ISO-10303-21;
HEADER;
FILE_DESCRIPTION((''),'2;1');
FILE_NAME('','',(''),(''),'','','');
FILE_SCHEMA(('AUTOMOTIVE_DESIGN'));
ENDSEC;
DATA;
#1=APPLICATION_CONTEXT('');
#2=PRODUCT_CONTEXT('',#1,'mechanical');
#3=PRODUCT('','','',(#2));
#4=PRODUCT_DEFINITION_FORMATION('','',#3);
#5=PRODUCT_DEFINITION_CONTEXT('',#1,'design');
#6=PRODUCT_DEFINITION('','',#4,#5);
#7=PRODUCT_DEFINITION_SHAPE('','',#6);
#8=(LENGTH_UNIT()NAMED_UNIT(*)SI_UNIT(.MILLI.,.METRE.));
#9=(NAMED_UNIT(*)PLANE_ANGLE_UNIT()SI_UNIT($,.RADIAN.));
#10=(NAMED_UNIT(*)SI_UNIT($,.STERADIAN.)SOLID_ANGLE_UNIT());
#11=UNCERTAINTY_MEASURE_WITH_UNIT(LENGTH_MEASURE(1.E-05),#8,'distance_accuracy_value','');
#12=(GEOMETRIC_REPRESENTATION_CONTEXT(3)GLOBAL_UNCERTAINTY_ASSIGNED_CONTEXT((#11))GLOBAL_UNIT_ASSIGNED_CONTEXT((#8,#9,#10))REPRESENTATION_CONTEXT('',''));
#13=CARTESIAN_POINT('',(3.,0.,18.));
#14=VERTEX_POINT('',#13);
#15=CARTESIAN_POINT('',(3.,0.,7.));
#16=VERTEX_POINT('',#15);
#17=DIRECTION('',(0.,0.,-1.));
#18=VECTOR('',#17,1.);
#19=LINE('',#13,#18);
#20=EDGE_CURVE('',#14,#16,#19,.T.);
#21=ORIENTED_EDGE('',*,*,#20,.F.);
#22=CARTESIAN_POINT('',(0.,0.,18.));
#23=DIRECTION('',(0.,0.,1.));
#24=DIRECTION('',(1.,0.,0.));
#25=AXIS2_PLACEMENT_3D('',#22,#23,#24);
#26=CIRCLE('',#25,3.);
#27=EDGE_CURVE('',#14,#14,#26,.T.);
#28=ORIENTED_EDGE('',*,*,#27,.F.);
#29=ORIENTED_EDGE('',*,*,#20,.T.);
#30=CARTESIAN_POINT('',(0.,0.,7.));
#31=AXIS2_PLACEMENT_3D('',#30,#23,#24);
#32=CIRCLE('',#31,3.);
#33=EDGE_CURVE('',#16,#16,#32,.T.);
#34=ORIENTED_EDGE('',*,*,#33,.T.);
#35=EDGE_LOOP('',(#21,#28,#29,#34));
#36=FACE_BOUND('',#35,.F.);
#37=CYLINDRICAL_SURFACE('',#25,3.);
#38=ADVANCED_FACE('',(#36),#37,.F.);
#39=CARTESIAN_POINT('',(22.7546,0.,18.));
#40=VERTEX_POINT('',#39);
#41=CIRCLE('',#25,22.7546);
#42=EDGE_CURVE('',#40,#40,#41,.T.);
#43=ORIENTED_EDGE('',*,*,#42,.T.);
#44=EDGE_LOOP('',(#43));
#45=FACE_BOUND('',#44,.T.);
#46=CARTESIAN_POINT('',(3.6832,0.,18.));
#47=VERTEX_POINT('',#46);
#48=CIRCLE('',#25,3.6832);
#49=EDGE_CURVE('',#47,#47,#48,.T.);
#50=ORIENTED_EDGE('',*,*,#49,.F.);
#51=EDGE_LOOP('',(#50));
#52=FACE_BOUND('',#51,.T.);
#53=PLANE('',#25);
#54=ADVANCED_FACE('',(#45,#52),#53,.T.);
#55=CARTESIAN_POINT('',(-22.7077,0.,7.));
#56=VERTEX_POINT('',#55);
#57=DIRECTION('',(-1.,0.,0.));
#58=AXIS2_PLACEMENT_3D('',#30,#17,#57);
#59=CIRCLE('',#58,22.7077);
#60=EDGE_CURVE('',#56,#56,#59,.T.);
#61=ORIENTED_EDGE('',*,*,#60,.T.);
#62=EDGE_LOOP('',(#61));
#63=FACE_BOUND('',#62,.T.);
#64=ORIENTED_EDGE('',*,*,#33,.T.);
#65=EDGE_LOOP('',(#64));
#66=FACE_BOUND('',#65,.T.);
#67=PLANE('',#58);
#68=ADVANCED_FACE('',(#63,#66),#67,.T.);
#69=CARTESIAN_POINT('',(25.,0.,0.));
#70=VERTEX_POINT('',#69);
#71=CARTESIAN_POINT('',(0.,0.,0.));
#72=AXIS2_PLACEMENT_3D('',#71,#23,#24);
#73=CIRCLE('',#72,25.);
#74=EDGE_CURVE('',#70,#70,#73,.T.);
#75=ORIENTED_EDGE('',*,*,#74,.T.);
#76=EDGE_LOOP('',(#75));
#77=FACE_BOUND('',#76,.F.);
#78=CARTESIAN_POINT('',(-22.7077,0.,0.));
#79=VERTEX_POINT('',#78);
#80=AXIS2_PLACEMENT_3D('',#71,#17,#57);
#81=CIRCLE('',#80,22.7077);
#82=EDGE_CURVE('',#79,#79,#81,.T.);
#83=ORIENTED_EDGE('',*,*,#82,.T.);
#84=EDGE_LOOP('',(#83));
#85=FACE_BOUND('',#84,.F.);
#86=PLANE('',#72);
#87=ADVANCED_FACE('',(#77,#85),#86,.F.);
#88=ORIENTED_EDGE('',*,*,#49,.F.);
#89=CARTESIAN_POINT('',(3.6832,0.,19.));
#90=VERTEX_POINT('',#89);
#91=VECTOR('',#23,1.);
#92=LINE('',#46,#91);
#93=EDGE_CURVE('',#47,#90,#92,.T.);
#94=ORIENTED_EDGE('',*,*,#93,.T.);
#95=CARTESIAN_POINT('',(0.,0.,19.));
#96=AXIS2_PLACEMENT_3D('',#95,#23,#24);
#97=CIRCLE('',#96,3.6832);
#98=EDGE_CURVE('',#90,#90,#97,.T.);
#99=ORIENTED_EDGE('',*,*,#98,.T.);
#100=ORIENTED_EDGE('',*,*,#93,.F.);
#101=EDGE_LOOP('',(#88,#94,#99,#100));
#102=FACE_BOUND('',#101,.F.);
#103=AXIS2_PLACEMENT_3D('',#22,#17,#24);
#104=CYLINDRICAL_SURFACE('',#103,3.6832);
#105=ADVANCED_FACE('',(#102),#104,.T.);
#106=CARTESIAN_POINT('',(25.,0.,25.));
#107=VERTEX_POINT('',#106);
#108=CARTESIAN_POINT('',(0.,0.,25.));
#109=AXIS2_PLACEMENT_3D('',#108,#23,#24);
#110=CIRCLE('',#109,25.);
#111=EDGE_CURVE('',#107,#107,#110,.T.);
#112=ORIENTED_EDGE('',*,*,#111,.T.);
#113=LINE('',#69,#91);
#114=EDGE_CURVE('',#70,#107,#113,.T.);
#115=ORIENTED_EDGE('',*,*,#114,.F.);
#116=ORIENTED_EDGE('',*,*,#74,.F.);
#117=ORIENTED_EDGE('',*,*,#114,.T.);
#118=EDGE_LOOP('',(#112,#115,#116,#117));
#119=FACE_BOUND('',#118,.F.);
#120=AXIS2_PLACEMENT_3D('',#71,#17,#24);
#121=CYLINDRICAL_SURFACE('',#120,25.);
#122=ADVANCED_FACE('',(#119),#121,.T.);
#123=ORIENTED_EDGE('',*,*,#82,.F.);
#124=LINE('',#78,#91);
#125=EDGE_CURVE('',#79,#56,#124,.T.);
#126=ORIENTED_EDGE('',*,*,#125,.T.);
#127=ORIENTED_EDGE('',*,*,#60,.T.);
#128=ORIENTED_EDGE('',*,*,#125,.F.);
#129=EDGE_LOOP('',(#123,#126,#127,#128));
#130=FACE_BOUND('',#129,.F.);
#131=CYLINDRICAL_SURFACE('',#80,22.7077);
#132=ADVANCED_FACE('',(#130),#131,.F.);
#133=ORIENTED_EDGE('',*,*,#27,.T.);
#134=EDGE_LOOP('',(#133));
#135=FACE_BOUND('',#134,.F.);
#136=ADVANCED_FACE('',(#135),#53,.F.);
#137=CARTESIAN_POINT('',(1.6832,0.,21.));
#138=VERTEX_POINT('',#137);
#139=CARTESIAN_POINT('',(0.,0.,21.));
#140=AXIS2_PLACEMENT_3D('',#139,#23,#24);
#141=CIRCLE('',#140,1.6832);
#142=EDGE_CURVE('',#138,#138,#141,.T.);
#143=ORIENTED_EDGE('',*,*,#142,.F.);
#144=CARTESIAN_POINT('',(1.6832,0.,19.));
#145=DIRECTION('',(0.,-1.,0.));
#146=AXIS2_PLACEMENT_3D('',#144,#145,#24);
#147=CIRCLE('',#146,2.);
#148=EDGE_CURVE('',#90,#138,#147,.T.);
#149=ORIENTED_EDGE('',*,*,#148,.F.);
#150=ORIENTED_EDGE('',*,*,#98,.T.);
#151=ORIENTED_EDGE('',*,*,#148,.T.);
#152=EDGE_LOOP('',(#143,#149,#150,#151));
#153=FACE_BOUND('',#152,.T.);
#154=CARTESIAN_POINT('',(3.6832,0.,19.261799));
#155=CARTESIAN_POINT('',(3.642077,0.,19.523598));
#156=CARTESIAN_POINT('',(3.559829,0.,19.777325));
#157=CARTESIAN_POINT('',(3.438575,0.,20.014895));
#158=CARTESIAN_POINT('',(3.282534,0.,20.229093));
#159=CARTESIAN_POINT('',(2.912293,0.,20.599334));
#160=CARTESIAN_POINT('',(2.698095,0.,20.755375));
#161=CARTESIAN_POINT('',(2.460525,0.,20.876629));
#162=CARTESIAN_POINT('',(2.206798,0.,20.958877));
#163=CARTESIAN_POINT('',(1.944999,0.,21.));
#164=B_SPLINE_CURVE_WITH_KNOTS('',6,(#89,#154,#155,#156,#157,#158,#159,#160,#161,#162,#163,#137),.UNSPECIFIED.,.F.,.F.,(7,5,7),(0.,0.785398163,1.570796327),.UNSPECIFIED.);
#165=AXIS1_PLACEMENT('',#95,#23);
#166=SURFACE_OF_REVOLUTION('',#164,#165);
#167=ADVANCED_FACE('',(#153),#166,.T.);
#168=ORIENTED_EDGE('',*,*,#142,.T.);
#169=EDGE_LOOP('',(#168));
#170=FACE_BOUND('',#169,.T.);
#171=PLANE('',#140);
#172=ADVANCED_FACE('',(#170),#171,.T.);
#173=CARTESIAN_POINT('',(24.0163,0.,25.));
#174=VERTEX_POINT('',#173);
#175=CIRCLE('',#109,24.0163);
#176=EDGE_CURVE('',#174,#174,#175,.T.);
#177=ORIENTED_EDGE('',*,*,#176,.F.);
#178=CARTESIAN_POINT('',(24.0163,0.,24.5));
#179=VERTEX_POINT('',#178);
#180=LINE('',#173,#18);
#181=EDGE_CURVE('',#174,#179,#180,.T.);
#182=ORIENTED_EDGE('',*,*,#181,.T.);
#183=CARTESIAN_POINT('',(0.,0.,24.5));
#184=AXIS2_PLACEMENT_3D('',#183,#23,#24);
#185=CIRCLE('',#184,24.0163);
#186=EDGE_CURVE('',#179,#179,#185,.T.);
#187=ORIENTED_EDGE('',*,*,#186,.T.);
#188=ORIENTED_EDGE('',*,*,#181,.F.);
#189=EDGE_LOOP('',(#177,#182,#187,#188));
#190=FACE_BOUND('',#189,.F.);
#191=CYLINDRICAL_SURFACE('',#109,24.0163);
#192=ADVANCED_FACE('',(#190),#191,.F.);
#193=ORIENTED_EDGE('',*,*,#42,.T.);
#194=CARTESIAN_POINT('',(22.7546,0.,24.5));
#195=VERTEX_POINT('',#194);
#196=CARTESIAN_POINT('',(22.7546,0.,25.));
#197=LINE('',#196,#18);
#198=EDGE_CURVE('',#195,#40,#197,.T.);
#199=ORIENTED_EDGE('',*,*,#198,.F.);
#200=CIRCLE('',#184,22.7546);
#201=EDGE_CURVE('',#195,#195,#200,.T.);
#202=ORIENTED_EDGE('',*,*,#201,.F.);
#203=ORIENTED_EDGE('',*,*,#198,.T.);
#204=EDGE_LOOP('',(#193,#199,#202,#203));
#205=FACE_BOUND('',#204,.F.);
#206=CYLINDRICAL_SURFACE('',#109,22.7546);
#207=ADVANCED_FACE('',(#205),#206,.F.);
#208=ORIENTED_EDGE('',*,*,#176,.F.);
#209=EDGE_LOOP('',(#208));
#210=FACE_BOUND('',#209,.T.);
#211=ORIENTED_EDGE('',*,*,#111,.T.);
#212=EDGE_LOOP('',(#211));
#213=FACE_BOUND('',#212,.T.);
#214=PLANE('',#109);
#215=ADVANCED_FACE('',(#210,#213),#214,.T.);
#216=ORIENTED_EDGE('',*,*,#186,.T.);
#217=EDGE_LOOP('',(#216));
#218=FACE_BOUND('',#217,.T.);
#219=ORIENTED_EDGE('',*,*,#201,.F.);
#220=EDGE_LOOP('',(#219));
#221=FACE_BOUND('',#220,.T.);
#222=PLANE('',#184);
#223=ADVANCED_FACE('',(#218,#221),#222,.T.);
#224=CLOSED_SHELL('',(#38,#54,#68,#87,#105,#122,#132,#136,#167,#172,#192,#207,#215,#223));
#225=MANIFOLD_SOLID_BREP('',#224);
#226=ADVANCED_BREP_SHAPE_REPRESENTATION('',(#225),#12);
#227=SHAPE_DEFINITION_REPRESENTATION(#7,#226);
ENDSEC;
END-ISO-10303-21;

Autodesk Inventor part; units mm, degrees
ref_plane "YZ Plane" through (0, 0, 0) normal (1, 0, 0) x (0, 1, 0)
ref_plane "XZ Plane" through (0, 0, 0) normal (0, 1, 0) x (-1, 0, 0)
ref_plane "XY Plane" through (0, 0, 0) normal (0, 0, 1) x (1, 0, 0)
sketch "Sketch1" plane through (0, 0, 0) normal (0, 0, 1) x (1, 0, 0)
  circle A0 centre (0, 0) radius 25
  dimension "d0" = 50
extrude "Extrusion1" add sketch "Sketch1" along normal blind 25
sketch "Sketch2" plane through (0, 0, 25) normal (0, 0, 1) x (1, 0, 0)
  circle A0 centre (0, 0) radius 22.7546
sketch "Sketch3" plane through (0, 0, 0) normal (0, 0, -1) x (-1, 0, 0)
  circle A0 centre (0, 0) radius 22.7077
extrude "Extrusion2" cut sketch "Sketch2" against normal blind 7
extrude "Extrusion3" cut sketch "Sketch3" against normal blind 7
sketch "Sketch4" plane through (0, 0, 25) normal (0, 0, 1) x (1, 0, 0)
  circle A0 centre (0, 0) radius 24.0163
extrude "Extrusion4" cut sketch "Sketch4" against normal blind 0.5
sketch "Sketch5" plane through (0, 0, 18) normal (0, 0, 1) x (1, 0, 0)
  circle A0 centre (0, 0) radius 3
  dimension "d9" = 6
extrude "Extrusion5" cut sketch "Sketch5" against normal blind 25
sketch "Sketch6" plane through (0, 0, 18) normal (0, 0, 1) x (1, 0, 0)
  circle A0 centre (0, 0) radius 3.6832
extrude "Extrusion6" add sketch "Sketch6" along normal blind 3
fillet "Fillet1" radius 2 1 edges at (-3.6832, 0, 21)
sketch "Sketch7" plane through (0, 0, 18) normal (0, 0, 1) x (1, 0, 0)
  point P0 (0, 0)
sketch "Sketch8" plane through (0, 0, 18) normal (0, 0, 1) x (1, 0, 0)
  point P0 (0, 0)
properties part number "WHEEL 2"
